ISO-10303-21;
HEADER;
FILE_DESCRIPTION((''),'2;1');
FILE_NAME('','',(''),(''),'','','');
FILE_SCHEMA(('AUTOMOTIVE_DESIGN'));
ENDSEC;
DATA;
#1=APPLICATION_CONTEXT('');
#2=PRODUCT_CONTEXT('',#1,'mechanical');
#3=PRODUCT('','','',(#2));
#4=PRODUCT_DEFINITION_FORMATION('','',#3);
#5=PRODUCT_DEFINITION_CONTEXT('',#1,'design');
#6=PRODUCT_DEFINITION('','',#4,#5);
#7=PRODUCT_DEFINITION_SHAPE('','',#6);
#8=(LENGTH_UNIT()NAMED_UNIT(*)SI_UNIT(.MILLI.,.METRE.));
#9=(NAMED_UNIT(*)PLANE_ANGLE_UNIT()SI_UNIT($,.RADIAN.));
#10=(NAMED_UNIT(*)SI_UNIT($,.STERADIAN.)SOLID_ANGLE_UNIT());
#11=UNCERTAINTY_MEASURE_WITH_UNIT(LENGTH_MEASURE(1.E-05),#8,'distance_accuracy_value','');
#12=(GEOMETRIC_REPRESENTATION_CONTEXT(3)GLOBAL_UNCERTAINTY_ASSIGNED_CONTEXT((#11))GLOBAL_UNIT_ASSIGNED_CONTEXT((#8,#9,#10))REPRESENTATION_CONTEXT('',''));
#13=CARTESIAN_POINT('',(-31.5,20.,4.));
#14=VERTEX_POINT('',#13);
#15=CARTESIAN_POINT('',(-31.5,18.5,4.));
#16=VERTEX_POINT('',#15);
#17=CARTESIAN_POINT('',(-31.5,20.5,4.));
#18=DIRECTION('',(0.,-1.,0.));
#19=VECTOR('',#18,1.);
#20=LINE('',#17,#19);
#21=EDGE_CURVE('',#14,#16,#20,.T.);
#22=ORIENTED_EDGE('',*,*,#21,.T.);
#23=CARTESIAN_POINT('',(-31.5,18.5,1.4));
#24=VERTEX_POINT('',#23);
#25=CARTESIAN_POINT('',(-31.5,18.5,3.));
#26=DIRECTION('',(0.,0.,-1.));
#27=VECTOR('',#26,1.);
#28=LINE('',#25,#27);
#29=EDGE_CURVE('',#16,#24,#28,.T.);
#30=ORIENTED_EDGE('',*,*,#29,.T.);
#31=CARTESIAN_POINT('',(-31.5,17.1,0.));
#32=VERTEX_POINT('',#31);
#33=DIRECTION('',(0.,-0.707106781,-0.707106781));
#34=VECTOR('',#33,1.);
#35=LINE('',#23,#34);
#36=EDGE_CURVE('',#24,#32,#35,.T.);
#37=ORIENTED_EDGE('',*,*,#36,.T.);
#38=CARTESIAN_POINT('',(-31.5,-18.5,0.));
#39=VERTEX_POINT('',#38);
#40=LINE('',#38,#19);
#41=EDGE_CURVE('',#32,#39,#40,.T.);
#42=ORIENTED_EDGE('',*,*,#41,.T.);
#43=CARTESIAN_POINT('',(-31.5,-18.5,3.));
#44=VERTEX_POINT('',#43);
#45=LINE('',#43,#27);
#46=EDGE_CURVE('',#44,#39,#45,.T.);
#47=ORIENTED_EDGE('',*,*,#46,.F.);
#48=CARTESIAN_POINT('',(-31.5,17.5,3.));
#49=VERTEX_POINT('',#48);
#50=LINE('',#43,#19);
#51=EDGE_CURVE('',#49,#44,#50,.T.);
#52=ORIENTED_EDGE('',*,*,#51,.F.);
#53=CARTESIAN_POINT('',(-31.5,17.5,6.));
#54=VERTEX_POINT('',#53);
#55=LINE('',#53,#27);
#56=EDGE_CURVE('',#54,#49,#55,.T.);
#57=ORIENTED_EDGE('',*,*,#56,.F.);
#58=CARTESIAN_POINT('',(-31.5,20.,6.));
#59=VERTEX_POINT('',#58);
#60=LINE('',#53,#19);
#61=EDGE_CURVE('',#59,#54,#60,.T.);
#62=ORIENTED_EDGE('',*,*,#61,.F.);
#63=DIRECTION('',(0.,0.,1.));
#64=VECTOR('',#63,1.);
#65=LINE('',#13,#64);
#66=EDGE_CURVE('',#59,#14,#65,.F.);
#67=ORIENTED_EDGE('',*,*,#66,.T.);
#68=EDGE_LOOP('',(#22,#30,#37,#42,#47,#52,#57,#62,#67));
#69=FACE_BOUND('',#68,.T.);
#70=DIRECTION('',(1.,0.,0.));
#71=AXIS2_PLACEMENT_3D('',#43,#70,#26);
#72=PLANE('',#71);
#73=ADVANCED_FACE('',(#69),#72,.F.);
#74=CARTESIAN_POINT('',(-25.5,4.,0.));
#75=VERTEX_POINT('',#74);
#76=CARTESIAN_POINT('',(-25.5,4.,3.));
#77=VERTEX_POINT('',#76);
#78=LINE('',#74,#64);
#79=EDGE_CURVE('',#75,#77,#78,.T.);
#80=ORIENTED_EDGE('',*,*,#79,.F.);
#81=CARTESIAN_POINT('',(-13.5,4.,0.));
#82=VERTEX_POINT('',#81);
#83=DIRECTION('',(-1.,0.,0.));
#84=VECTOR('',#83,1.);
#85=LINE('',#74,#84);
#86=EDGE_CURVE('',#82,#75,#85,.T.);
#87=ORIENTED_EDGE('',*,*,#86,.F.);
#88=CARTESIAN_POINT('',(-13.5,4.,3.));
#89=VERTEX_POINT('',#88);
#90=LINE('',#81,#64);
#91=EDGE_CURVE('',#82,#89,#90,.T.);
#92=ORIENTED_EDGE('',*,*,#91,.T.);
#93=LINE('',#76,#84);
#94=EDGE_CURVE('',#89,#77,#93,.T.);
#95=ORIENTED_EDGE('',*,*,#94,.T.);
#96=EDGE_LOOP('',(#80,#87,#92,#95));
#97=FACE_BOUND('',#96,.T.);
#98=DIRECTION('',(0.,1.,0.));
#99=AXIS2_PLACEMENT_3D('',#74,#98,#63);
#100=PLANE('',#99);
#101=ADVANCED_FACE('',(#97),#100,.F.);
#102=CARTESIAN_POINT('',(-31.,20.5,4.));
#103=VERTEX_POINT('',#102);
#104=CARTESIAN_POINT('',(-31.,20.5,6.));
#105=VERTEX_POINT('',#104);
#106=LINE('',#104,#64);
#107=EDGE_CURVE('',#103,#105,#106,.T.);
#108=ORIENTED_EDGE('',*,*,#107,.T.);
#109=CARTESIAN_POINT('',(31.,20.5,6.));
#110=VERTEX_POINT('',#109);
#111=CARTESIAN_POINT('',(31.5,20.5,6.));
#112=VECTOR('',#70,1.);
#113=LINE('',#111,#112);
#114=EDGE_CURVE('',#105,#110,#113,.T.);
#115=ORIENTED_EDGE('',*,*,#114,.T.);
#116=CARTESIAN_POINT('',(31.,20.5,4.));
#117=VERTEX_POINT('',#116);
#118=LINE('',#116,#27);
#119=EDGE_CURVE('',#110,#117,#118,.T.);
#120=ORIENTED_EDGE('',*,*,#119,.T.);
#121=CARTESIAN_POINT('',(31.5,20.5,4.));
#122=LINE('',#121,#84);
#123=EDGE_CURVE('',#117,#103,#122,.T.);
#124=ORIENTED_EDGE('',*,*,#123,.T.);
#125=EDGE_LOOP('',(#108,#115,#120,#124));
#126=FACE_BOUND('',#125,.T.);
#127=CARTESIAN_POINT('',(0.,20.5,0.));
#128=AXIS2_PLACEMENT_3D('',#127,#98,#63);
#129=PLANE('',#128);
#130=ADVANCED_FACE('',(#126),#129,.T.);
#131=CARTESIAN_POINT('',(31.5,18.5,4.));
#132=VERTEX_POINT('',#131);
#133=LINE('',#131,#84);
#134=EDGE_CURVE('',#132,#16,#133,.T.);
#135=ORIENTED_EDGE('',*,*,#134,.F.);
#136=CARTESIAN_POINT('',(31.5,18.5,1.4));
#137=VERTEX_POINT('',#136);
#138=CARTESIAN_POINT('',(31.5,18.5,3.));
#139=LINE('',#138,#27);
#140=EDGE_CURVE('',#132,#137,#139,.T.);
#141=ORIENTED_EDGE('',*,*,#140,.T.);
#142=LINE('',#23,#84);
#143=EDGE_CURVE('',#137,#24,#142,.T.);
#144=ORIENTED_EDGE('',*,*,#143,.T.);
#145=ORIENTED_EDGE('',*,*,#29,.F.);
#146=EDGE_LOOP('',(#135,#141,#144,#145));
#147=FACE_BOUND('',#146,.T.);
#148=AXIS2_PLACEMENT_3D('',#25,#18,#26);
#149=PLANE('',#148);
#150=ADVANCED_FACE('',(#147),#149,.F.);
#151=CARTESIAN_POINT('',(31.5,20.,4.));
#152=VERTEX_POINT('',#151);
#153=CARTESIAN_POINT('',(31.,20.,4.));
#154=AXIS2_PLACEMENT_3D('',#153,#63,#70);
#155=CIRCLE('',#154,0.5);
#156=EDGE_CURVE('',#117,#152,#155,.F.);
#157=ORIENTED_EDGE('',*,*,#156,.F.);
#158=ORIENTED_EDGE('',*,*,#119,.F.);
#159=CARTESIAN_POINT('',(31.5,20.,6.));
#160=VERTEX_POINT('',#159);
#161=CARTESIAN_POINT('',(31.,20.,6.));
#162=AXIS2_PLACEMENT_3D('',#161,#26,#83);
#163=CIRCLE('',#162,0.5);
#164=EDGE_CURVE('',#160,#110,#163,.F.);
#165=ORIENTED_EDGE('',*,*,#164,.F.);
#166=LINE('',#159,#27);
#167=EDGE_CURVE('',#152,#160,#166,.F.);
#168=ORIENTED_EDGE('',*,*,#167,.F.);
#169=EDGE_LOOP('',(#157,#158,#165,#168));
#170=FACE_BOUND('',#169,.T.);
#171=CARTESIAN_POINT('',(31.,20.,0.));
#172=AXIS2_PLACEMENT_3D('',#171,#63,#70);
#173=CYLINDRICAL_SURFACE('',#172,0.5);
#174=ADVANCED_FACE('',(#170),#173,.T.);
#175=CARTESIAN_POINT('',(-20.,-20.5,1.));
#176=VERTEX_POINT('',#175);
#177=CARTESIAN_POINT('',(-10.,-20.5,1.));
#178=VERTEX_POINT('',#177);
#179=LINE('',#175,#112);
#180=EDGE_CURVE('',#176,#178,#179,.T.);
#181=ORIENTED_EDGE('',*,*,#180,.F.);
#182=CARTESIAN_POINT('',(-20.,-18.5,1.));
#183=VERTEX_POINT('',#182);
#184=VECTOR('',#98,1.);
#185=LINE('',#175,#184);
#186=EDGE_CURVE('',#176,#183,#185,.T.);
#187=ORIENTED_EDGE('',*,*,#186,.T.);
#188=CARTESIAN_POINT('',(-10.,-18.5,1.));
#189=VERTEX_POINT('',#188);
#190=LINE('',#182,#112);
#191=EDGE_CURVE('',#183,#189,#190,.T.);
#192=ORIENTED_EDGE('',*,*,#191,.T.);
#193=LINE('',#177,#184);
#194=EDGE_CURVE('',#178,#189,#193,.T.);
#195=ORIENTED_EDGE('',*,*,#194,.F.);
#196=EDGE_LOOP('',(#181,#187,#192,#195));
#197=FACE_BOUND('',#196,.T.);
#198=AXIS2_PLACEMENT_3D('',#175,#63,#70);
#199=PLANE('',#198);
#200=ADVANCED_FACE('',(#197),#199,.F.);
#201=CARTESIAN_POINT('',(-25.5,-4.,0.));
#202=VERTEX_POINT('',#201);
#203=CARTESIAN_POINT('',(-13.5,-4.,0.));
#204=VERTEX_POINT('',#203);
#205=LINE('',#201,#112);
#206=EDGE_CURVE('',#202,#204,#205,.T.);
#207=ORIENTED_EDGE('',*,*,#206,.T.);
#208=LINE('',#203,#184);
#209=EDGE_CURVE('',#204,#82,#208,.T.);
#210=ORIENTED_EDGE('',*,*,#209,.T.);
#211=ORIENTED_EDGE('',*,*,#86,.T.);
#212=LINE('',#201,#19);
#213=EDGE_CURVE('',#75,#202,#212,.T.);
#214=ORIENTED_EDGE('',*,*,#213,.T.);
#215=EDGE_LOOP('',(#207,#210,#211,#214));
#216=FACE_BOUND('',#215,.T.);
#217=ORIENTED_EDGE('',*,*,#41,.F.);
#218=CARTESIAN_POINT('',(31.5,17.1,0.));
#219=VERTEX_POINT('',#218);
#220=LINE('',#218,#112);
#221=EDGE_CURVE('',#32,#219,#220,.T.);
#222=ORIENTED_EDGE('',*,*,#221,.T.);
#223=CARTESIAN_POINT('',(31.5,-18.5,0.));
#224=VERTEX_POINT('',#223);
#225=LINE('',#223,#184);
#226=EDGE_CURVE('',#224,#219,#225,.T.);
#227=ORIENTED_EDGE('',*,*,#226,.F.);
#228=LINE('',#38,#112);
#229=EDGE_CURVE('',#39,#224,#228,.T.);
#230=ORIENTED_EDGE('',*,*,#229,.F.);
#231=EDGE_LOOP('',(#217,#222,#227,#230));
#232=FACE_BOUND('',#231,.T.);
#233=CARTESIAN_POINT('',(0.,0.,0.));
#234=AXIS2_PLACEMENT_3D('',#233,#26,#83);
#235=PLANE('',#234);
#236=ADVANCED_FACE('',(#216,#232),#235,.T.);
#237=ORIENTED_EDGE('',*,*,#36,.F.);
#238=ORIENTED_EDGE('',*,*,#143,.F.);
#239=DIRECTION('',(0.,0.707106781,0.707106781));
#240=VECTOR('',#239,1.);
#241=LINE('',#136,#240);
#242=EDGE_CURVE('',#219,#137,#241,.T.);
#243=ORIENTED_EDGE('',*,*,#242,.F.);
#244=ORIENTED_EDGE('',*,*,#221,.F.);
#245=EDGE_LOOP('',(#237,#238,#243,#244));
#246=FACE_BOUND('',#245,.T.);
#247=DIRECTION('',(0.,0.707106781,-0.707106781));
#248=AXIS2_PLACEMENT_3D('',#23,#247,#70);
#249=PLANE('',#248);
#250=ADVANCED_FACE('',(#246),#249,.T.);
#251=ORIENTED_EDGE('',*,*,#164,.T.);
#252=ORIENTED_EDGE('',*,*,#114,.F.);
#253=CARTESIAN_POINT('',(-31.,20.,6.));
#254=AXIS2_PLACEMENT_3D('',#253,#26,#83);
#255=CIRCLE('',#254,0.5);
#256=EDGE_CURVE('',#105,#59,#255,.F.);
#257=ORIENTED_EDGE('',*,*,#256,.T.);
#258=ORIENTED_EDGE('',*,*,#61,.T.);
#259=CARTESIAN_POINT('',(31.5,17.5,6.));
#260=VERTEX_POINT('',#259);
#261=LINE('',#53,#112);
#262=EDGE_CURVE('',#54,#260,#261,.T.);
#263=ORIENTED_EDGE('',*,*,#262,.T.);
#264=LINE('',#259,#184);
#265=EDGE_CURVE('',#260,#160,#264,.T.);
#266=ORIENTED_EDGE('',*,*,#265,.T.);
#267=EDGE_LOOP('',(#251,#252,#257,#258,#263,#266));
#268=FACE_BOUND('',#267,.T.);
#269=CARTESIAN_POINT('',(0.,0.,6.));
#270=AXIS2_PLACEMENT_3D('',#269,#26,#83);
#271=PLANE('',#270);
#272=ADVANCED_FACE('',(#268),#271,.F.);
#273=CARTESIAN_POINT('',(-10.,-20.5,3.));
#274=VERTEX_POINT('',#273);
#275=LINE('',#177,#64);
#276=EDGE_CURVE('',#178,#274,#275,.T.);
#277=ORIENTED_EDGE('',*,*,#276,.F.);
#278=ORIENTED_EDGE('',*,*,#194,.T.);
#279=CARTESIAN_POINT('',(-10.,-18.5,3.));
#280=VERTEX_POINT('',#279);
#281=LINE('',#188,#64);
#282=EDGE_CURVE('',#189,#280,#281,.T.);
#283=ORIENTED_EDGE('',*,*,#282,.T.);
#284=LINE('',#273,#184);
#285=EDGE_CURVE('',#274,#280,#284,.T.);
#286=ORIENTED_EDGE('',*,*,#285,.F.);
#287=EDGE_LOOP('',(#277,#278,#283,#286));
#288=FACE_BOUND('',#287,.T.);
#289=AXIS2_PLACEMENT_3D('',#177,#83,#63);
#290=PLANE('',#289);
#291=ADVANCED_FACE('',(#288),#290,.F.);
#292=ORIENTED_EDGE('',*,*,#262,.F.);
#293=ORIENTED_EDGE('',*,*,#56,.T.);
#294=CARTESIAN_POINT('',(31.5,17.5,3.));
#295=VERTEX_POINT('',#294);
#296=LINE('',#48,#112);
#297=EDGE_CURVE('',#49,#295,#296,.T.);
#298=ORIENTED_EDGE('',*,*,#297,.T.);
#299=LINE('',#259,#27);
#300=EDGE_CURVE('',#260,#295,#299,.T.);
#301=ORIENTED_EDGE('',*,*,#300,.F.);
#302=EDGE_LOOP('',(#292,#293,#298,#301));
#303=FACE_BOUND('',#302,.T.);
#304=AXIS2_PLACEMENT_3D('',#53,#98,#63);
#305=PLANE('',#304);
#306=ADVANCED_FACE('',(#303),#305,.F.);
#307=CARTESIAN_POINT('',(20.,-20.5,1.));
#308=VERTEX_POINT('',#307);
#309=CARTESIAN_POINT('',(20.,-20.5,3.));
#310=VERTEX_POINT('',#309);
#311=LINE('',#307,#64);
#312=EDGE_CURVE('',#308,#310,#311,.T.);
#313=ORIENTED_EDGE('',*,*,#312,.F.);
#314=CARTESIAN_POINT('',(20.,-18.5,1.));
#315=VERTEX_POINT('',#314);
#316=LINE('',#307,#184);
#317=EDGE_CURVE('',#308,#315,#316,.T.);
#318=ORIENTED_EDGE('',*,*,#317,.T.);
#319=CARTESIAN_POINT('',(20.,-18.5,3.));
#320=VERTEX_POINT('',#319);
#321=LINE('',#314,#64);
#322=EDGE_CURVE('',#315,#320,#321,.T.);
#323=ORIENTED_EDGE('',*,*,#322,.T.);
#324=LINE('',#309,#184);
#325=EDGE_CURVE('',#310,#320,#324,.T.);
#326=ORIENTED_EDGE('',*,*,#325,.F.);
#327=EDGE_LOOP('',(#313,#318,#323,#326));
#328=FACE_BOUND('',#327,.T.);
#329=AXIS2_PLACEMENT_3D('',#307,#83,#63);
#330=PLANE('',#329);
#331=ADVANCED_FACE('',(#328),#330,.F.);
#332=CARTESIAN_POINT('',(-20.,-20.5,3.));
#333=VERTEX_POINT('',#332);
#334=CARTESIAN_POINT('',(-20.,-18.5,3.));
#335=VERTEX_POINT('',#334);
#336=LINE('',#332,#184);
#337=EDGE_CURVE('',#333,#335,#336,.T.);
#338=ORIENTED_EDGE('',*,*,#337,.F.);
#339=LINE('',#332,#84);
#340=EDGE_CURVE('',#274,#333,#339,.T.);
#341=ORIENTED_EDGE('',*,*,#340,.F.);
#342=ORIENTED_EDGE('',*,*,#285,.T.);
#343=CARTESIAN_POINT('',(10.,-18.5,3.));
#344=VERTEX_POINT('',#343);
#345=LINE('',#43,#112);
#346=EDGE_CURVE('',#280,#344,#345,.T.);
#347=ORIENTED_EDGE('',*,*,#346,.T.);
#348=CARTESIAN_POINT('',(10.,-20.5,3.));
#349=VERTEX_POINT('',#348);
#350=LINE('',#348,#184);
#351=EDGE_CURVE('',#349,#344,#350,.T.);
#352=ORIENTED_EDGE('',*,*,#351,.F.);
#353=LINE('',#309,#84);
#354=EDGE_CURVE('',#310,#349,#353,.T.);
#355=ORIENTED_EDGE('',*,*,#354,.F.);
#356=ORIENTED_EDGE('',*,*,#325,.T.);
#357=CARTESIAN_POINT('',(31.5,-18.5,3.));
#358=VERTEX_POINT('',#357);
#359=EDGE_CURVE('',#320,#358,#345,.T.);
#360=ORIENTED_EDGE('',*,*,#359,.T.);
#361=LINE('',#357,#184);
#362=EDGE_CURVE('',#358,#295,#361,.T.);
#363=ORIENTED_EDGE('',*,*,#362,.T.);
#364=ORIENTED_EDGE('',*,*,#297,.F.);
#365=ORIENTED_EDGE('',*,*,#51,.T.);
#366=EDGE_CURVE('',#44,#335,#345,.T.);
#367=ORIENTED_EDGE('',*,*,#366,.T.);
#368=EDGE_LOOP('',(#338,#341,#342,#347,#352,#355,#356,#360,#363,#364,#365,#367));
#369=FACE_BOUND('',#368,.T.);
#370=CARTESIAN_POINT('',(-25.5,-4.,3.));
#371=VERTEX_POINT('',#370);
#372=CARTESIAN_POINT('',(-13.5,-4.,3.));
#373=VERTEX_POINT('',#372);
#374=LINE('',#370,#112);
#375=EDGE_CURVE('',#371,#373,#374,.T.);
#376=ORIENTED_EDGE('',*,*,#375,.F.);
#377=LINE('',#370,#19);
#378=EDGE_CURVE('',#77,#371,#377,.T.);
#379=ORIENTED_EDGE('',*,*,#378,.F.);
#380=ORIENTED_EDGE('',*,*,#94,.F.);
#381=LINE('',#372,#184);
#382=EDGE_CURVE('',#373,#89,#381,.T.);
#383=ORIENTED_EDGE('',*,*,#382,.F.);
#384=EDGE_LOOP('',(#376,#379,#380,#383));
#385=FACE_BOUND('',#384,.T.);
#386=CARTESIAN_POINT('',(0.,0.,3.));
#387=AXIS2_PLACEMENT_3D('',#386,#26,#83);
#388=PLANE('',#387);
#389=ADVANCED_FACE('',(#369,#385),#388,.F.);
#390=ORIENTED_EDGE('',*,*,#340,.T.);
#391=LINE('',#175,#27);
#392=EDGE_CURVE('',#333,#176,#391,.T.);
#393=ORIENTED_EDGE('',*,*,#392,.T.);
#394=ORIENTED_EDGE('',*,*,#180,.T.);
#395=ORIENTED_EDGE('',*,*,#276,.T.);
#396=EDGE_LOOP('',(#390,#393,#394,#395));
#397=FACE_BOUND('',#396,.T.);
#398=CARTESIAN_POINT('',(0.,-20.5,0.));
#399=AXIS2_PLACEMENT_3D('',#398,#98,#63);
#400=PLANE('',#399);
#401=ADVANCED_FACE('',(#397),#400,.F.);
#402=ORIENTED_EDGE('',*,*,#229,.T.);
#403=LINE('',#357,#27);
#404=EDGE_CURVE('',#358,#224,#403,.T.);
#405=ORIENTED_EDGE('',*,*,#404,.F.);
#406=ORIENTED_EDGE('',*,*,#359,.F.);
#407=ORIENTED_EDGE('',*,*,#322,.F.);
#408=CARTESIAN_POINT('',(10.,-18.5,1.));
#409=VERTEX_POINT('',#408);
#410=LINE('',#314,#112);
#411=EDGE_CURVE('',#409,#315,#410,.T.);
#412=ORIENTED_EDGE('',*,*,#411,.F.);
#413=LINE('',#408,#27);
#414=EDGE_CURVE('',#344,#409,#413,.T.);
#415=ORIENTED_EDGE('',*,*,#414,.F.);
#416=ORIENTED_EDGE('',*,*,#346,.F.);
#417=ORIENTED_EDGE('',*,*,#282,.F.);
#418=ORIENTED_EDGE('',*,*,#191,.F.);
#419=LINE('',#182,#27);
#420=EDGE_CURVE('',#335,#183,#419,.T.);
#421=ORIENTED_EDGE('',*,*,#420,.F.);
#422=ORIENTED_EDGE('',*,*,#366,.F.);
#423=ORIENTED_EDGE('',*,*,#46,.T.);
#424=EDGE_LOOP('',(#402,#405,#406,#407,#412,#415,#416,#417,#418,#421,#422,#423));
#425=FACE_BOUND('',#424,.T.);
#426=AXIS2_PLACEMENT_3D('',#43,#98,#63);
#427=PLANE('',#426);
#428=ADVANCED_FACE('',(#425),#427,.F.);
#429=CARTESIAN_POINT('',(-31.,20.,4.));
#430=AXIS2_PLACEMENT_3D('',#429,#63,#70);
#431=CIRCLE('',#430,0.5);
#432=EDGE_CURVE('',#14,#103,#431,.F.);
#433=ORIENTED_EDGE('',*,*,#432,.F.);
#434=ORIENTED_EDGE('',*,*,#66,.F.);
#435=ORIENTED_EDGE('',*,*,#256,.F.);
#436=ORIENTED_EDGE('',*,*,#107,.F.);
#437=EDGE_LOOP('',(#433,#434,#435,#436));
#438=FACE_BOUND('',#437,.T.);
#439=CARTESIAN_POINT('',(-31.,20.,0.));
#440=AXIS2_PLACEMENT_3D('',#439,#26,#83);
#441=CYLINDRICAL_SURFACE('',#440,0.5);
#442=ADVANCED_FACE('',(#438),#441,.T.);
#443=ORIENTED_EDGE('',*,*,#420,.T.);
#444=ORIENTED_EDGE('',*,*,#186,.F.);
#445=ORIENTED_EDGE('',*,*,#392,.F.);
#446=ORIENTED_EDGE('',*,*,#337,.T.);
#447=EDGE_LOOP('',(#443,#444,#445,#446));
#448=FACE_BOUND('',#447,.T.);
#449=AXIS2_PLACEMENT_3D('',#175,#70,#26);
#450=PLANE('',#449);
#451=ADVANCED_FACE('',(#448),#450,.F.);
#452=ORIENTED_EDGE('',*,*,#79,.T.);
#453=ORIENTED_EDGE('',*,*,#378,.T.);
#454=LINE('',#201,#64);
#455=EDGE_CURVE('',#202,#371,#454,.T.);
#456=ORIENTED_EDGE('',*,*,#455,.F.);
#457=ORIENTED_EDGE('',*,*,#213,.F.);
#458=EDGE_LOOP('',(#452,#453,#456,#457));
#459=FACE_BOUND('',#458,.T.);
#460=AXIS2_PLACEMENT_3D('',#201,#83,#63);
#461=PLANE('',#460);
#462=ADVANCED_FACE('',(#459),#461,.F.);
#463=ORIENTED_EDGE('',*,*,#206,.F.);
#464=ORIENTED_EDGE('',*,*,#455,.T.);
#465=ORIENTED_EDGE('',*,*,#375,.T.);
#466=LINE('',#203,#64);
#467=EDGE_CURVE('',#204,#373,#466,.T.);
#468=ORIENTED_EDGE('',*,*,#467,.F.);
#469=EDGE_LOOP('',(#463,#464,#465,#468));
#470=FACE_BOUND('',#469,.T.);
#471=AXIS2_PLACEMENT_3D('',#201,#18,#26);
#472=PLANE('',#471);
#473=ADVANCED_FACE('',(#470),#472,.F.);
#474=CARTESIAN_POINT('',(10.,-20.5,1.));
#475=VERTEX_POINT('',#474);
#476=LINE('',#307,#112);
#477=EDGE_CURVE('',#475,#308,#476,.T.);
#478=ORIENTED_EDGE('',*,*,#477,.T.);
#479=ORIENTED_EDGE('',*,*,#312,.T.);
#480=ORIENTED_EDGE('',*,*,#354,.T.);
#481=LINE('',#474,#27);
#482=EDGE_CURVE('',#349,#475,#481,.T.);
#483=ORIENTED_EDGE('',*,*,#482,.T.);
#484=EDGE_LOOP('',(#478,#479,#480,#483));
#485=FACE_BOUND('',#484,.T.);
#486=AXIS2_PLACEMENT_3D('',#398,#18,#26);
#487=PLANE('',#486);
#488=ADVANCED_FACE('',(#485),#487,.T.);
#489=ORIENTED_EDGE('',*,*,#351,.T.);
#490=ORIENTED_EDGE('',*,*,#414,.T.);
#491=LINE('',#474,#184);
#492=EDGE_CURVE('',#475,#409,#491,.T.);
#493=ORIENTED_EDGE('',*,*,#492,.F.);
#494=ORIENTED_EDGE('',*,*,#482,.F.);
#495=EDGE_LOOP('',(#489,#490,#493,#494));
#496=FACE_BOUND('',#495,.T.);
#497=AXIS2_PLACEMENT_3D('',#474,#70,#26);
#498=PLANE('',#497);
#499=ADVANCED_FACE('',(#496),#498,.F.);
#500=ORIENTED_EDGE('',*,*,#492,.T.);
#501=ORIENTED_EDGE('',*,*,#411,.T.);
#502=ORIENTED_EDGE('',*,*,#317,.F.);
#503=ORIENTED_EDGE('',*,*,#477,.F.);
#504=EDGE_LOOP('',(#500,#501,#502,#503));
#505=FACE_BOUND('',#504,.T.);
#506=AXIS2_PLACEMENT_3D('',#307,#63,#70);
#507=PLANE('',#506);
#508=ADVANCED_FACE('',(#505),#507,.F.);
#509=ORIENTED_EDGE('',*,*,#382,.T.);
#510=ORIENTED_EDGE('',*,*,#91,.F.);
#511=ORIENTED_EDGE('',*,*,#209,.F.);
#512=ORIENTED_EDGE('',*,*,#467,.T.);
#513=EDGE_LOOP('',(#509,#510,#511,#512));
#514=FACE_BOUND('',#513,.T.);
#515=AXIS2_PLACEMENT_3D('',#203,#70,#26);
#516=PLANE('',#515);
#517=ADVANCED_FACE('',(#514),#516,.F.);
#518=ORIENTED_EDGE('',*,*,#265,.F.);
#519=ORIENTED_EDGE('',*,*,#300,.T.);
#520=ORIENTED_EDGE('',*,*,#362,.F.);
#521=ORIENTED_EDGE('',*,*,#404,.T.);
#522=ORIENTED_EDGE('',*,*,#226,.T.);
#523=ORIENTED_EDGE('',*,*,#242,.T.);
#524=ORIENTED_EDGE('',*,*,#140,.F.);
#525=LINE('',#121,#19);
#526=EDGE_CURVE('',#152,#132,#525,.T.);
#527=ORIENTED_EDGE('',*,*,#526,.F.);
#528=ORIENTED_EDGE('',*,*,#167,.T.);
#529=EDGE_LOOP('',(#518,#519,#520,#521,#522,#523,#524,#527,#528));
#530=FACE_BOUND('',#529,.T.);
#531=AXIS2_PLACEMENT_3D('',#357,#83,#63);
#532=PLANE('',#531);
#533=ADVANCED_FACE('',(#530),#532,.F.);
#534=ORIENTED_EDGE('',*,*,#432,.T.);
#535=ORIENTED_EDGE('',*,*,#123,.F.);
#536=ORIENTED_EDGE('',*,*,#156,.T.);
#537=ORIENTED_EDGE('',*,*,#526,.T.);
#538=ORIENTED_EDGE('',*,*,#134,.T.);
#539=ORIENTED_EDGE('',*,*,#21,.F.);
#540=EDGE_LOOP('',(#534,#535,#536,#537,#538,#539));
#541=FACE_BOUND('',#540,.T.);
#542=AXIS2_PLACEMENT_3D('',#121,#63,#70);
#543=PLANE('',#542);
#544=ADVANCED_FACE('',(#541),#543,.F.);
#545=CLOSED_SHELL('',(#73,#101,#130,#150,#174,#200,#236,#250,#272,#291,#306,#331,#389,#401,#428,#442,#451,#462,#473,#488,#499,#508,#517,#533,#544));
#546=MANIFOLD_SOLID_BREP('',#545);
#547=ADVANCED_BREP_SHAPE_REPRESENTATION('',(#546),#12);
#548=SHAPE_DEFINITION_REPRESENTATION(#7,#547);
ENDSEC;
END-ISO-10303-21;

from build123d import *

# Parameters (mm, degrees)
SKETCH1_W           = 63
SKETCH1_H           = 37
BOSS_EXTRUDE1_DEPTH = 3
SKETCH2_W           = 10
SKETCH2_H           = 2
BOSS_EXTRUDE2_DEPTH = 2
SKETCH3_W           = 63
SKETCH3_H           = 1
BOSS_EXTRUDE3_DEPTH = 3
SKETCH4_W           = 12
SKETCH4_H           = 8
CUT_EXTRUDE1_DEPTH  = 4
SKETCH5_W           = 63
SKETCH5_H           = 2
BOSS_EXTRUDE4_DEPTH = 2
CHAMFER1_SIZE       = 1.4
FILLET1_R           = 0.5


with BuildPart() as part:
    # Sketch1 → Boss-Extrude1 (new body)
    with BuildSketch(Plane.XY):
        Rectangle(SKETCH1_W, SKETCH1_H)
    extrude(amount=BOSS_EXTRUDE1_DEPTH)

    # Sketch2 → Boss-Extrude2 (add)
    with BuildSketch(Plane.XZ.offset(18.5)):
        with Locations((-15, 2)):
            Rectangle(SKETCH2_W, SKETCH2_H)
        with Locations((15, 2)):
            Rectangle(SKETCH2_W, SKETCH2_H)
    extrude(amount=BOSS_EXTRUDE2_DEPTH)

    # Sketch3 → Boss-Extrude3 (add)
    with BuildSketch(Plane.XY.offset(3)):
        with Locations((0, 18)):
            Rectangle(SKETCH3_W, SKETCH3_H)
    extrude(amount=BOSS_EXTRUDE3_DEPTH)

    # Sketch4 → Cut-Extrude1 (cut, through all)
    with BuildSketch(Plane.XY.offset(3)):
        with Locations((-19.5, 0)):
            Rectangle(SKETCH4_W, SKETCH4_H)
    extrude(amount=-CUT_EXTRUDE1_DEPTH, mode=Mode.SUBTRACT)

    # Sketch5 → Boss-Extrude4 (add)
    with BuildSketch(Plane(origin=(0, 18.5, 0), x_dir=(1, 0, 0), z_dir=(0, 1, 0))):
        with Locations((0, -5)):
            Rectangle(SKETCH5_W, SKETCH5_H)
    extrude(amount=BOSS_EXTRUDE4_DEPTH)

    # Chamfer1
    chamfer1_edges = [part.edges().sort_by_distance(p)[0] for p in [
        (0, 18.5, 0),
    ]]
    chamfer(chamfer1_edges, length=CHAMFER1_SIZE)

    # Fillet1
    fillet1_edges = [part.edges().sort_by_distance(p)[0] for p in [
        (31.5, 20.5, 5),
        (-31.5, 20.5, 5),
    ]]
    fillet(fillet1_edges, radius=FILLET1_R)


solid = part.part
